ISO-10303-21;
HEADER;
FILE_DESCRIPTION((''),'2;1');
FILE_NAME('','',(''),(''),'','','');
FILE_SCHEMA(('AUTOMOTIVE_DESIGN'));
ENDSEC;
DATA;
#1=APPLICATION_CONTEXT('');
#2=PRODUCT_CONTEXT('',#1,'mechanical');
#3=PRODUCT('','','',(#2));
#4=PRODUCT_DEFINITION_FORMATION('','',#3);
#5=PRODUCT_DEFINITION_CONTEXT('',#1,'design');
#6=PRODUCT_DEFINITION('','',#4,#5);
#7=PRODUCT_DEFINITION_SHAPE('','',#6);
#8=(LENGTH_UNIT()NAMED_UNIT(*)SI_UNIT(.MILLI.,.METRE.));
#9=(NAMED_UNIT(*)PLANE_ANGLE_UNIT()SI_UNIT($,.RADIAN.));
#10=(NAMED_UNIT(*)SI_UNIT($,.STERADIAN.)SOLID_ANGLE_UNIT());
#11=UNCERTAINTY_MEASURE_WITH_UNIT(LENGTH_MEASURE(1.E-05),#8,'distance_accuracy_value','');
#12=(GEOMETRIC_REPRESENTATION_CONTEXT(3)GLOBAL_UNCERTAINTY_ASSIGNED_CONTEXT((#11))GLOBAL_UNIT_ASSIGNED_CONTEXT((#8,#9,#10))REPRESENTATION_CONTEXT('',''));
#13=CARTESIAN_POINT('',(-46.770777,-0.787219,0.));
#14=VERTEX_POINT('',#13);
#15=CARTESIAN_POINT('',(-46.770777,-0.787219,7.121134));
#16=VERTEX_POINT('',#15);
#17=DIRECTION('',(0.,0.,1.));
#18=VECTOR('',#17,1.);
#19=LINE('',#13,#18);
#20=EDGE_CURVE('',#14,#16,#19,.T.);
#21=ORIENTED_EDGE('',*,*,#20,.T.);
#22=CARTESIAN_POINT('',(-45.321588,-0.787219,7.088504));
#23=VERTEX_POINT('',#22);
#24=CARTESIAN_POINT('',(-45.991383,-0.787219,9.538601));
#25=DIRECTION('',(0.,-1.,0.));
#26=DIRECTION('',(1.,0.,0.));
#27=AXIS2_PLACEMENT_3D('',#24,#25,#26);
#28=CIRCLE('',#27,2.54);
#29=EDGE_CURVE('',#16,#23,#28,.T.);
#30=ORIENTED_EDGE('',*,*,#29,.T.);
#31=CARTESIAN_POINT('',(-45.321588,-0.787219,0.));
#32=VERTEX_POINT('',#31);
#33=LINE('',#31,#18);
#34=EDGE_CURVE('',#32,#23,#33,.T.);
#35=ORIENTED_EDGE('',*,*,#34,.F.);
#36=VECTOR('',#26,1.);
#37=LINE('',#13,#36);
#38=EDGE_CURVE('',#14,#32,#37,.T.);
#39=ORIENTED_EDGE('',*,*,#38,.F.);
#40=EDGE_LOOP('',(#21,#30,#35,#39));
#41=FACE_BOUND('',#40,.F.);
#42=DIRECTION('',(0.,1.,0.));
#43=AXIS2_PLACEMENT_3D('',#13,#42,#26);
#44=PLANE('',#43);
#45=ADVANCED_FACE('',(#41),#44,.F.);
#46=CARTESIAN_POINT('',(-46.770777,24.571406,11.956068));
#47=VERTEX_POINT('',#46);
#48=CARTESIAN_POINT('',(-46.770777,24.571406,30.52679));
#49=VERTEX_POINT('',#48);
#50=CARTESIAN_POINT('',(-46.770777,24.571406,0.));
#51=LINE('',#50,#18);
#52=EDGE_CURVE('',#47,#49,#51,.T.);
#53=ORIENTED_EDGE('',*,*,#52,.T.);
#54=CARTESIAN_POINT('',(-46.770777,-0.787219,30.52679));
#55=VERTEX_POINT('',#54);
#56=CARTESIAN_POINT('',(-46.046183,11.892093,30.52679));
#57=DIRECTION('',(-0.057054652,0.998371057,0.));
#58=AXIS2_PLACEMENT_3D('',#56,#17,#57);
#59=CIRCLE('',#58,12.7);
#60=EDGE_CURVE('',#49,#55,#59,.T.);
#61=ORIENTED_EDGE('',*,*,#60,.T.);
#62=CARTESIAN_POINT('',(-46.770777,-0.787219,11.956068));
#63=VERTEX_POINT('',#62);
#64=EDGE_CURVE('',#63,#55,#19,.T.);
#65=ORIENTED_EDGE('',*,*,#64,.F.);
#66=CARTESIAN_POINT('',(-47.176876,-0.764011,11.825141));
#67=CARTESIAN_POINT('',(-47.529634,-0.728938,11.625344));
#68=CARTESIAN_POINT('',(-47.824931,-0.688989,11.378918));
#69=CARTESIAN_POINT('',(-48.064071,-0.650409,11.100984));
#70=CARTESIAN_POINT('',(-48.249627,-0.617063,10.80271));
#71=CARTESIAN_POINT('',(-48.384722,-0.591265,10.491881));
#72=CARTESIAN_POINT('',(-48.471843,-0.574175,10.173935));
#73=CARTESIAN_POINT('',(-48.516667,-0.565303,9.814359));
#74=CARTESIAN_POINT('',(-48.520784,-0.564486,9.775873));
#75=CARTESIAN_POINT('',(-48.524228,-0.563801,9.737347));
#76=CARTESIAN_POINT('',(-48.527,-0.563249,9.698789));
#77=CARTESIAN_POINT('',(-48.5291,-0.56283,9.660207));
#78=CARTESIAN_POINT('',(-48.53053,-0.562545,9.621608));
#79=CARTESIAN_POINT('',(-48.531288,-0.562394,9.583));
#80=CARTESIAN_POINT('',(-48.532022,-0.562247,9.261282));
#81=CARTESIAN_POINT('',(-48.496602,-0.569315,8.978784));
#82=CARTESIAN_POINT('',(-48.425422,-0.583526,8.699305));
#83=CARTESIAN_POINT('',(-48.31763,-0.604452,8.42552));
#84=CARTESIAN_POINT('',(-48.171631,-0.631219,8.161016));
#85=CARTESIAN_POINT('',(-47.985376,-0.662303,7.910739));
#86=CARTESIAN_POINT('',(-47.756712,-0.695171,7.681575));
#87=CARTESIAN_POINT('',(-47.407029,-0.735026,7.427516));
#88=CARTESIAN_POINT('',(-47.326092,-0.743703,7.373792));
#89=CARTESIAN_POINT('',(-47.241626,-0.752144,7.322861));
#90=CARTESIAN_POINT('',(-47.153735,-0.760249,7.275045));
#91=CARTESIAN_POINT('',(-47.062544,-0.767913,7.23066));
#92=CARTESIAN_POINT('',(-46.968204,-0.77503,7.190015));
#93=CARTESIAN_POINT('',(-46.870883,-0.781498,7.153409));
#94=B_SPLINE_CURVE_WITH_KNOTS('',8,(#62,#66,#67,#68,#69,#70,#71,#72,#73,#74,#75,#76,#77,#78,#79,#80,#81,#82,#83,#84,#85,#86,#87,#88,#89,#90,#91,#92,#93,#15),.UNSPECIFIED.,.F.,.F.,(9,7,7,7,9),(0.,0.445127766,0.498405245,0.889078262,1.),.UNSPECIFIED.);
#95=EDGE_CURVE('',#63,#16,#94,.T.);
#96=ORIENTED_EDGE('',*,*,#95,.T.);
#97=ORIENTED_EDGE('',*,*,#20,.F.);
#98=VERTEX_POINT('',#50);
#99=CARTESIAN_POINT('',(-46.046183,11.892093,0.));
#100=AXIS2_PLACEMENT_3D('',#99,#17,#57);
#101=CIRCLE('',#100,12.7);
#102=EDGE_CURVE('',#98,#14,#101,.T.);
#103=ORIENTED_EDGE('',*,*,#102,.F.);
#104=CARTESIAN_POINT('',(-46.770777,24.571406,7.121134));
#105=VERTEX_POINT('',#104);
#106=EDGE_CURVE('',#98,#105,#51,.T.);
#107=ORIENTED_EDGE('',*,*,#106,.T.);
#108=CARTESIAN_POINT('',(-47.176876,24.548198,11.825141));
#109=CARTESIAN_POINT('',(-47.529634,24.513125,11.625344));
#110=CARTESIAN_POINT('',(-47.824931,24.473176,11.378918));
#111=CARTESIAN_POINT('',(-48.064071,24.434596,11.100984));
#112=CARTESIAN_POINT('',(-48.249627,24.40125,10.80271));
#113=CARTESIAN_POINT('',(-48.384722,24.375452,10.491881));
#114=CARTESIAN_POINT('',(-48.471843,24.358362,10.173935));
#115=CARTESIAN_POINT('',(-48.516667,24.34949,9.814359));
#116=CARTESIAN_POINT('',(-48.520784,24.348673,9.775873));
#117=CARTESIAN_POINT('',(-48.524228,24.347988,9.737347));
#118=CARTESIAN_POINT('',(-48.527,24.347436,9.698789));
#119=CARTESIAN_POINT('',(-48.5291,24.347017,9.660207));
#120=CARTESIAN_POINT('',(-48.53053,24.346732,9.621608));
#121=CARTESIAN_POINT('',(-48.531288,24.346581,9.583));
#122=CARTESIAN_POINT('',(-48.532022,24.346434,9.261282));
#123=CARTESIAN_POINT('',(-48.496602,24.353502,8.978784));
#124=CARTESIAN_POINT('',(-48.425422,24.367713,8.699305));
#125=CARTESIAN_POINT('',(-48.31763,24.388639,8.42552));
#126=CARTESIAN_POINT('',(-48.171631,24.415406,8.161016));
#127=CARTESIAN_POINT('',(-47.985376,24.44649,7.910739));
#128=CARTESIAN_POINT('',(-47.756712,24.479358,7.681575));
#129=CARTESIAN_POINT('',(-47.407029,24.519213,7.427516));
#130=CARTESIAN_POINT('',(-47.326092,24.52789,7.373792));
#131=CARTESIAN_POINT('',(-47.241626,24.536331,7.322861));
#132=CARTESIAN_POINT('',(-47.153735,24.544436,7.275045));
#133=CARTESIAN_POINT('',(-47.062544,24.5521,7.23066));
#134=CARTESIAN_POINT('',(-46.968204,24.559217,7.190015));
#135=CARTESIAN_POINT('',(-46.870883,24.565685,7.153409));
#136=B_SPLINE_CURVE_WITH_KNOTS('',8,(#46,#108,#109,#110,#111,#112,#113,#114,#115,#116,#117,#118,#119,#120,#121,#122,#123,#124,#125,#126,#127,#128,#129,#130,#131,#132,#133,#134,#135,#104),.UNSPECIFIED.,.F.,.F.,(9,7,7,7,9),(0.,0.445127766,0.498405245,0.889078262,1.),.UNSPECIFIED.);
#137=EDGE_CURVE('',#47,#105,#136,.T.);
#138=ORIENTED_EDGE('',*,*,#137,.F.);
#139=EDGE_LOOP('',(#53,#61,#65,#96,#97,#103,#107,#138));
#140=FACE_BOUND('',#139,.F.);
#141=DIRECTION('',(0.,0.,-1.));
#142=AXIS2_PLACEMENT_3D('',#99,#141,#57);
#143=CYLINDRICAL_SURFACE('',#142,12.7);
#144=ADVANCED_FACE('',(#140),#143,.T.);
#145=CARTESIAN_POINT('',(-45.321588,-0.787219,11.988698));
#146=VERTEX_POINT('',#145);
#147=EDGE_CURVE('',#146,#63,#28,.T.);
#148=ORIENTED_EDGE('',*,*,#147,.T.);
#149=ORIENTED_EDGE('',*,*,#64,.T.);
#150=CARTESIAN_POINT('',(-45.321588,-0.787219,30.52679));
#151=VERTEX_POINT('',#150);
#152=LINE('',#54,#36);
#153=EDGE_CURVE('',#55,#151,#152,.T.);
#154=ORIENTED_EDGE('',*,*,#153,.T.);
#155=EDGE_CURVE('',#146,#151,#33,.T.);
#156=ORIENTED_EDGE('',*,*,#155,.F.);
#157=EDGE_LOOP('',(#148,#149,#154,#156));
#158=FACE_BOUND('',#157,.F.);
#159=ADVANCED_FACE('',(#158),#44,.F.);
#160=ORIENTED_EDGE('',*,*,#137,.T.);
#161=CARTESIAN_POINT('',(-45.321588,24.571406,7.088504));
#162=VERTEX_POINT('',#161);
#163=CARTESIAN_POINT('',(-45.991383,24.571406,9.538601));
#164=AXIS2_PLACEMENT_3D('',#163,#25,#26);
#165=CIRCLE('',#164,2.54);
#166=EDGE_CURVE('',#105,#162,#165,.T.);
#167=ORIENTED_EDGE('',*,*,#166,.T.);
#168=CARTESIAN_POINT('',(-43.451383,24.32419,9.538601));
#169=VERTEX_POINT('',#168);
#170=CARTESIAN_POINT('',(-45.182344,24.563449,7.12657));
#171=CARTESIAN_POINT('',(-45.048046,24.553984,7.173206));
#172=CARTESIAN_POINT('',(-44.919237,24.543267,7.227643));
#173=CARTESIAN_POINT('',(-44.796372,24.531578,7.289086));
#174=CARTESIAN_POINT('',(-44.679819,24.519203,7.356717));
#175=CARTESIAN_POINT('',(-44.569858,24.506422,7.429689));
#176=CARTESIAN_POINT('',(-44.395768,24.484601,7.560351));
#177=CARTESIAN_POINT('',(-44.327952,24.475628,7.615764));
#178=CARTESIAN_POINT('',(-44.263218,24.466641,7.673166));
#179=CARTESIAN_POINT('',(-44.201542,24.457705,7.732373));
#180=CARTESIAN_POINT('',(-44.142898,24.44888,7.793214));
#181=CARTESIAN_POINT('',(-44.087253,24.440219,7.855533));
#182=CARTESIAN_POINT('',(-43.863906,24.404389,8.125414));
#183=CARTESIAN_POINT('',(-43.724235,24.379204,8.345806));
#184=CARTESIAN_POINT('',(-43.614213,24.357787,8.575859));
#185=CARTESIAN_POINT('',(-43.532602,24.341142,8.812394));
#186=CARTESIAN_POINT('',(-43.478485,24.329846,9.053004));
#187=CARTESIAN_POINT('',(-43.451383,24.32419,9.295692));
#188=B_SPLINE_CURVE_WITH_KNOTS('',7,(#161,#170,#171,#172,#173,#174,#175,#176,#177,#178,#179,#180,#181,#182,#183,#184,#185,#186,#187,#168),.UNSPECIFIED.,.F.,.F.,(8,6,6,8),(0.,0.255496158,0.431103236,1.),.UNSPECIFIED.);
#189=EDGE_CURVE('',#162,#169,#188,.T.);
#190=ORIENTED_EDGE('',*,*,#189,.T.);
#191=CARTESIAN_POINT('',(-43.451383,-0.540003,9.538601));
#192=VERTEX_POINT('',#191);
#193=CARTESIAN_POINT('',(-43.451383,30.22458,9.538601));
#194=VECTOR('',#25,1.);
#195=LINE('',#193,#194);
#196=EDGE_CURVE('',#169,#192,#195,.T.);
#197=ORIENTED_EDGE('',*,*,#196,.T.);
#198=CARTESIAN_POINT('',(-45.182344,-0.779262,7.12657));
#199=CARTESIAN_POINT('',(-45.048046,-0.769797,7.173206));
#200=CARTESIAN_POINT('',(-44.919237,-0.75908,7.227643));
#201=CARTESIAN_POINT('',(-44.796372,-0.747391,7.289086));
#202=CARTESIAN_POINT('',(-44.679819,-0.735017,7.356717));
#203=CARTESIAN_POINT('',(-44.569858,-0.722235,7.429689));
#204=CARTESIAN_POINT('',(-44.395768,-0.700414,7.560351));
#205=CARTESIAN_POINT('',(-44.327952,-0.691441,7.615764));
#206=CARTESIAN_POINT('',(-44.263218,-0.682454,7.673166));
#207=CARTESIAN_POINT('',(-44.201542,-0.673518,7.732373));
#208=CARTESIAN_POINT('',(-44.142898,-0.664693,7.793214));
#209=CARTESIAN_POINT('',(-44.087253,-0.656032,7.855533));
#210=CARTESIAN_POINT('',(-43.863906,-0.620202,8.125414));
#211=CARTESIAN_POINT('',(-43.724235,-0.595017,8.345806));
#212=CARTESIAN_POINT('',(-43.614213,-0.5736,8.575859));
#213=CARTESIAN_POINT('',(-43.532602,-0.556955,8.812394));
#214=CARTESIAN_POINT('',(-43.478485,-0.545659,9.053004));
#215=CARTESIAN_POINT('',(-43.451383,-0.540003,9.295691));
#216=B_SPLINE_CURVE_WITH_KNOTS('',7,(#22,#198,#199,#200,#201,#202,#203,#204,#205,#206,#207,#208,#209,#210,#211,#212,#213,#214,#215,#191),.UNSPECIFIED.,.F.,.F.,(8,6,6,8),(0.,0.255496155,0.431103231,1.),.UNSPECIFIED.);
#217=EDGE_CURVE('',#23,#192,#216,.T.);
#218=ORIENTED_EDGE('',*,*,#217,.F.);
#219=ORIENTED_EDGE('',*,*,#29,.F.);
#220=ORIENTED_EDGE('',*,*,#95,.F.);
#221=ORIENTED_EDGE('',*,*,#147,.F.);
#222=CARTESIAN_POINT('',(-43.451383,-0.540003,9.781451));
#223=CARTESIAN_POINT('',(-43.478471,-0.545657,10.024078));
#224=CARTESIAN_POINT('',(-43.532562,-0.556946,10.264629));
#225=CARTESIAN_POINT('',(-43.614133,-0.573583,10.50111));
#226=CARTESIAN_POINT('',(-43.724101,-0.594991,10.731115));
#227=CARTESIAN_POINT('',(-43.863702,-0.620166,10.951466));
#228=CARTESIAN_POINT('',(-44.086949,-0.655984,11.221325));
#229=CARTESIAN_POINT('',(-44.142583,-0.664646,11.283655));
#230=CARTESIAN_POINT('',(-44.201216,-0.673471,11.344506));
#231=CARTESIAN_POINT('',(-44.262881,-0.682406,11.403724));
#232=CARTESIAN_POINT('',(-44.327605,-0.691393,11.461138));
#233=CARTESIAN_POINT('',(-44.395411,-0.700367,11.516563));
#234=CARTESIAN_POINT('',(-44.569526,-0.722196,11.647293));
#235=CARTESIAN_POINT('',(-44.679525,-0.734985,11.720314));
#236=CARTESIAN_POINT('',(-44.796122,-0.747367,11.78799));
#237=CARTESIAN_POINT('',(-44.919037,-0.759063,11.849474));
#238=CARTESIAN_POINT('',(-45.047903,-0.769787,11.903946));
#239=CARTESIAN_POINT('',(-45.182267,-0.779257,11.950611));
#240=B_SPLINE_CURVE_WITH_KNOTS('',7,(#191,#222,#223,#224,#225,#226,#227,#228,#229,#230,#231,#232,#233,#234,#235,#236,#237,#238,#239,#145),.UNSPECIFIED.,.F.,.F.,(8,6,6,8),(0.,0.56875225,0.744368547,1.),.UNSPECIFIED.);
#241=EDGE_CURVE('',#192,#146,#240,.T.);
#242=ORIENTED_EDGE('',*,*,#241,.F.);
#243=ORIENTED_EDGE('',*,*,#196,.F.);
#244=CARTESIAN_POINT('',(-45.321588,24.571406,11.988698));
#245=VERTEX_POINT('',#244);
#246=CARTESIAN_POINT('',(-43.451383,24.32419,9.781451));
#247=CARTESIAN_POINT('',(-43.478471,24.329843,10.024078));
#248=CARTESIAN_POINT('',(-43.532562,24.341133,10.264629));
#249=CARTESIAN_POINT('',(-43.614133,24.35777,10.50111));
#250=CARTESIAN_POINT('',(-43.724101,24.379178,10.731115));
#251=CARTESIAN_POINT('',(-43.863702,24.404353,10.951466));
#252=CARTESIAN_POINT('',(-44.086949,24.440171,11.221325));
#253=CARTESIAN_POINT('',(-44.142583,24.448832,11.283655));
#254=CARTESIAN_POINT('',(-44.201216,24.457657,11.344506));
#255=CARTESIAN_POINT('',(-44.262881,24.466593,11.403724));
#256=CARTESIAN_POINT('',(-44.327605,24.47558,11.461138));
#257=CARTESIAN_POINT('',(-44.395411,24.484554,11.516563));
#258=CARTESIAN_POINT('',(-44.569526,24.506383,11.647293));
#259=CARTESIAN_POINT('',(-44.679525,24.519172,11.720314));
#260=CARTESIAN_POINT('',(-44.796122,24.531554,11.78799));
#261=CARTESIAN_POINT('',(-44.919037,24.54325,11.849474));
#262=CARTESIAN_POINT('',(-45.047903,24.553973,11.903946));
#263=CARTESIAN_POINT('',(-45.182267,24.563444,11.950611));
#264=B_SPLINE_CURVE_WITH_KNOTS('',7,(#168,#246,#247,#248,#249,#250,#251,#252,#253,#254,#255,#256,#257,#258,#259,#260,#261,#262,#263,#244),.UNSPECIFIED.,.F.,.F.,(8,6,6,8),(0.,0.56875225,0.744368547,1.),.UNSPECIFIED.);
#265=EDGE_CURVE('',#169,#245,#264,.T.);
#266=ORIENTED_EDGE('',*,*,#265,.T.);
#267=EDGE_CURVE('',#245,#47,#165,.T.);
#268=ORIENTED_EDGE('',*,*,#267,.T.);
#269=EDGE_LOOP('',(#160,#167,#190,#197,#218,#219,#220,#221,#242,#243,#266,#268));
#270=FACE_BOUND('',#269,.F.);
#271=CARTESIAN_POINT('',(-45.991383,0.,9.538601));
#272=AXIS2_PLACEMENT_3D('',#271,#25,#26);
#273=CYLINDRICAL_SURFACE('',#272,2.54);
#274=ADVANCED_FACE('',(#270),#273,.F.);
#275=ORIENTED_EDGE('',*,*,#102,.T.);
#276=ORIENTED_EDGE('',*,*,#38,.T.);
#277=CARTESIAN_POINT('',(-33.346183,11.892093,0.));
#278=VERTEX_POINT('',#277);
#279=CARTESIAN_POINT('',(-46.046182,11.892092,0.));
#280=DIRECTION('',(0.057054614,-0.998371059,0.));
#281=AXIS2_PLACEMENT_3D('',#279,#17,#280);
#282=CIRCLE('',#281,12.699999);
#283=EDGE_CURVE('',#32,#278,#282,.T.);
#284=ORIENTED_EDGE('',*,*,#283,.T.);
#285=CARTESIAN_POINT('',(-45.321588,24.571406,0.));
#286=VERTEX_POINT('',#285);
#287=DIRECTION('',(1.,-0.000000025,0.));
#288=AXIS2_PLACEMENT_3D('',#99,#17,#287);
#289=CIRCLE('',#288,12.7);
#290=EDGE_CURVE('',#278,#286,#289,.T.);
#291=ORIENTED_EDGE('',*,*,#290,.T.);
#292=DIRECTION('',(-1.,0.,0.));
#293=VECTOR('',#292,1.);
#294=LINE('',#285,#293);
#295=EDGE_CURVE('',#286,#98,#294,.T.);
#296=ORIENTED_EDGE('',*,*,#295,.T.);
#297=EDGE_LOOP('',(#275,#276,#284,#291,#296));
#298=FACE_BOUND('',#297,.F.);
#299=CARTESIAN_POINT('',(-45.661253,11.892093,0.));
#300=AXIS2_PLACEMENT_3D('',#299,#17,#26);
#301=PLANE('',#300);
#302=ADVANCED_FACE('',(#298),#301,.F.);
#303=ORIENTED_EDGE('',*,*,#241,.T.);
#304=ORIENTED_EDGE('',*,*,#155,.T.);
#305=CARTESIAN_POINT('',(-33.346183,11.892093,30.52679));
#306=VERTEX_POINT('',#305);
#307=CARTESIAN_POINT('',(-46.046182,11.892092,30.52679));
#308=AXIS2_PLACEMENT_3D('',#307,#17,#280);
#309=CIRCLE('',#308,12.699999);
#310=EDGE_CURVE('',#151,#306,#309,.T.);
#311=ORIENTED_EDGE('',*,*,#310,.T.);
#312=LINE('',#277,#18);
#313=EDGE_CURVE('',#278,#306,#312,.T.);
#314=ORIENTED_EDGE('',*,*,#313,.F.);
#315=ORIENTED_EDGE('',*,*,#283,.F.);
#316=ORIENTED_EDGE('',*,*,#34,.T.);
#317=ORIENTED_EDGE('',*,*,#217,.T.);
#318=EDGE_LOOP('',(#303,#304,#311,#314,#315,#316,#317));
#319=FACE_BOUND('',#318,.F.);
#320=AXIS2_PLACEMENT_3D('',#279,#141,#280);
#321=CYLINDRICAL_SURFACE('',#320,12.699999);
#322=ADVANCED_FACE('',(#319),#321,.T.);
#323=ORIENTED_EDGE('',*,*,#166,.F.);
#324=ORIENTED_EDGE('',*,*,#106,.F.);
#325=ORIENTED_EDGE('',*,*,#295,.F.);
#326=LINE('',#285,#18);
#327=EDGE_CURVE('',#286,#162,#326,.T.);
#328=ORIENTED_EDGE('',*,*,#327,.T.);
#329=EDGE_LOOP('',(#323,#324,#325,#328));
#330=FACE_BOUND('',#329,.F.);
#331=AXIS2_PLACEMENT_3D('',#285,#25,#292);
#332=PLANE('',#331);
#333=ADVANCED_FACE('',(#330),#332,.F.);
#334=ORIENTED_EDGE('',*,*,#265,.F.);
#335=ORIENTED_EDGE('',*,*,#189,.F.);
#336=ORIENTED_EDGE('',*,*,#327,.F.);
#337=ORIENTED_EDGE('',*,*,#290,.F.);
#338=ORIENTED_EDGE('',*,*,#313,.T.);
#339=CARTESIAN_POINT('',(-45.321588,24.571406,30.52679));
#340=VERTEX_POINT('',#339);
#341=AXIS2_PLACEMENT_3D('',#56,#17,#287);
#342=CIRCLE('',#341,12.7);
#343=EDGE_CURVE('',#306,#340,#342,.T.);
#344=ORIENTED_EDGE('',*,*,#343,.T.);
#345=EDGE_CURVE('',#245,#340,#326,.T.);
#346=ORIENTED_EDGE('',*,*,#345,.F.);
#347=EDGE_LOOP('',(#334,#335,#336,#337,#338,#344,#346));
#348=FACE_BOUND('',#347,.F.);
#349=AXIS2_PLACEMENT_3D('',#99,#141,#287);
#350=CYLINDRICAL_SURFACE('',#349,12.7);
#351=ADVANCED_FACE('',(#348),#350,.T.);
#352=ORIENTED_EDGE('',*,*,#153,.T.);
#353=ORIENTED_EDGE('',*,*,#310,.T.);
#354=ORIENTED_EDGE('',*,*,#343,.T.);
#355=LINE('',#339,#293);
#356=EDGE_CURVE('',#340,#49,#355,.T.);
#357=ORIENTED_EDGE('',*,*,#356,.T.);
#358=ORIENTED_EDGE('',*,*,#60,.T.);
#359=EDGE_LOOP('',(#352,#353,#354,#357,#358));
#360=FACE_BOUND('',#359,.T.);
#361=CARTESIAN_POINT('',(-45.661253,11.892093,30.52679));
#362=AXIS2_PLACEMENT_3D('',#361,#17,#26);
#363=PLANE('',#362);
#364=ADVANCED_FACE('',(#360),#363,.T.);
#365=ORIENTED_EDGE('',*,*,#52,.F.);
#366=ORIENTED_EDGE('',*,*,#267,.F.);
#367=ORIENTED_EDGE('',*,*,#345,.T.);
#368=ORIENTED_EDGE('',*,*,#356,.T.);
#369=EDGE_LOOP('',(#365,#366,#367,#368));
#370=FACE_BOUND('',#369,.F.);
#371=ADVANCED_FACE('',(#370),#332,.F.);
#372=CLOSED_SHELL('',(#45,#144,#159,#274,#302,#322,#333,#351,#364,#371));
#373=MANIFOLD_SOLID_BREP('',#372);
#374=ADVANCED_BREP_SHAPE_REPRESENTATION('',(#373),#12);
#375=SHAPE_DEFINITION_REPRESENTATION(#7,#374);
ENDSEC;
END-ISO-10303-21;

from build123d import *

# Parameters (mm, degrees)
F1_DEPTH = 30.52679
F2_R     = 2.54
F3_DEPTH = 30.22458


with BuildPart() as f1:
    # F0 (on Top) → F1 (new body)
    with BuildSketch(Plane.XY):
        with BuildLine():
            ThreePointArc((-45.321588, -0.787219), (-36.813297, 3.171782), (-33.346183, 11.892093))
            ThreePointArc((-33.346183, 11.892093), (-36.813297, 20.612404), (-45.321588, 24.571406))
            Line((-45.321588, 24.571406), (-46.770777, 24.571406))
            ThreePointArc((-46.770777, 24.571406), (-58.746183, 11.892093), (-46.770777, -0.787219))
            Line((-46.770777, -0.787219), (-45.321588, -0.787219))
        make_face()
    extrude(amount=F1_DEPTH)

    # F2 (on Front) → F3 (cut, symmetric)
    with BuildSketch(Plane.XZ):
        with Locations((-45.991383, 9.538601)):
            Circle(F2_R)
    extrude(amount=F3_DEPTH, both=True, mode=Mode.SUBTRACT)


solid = f1.part
